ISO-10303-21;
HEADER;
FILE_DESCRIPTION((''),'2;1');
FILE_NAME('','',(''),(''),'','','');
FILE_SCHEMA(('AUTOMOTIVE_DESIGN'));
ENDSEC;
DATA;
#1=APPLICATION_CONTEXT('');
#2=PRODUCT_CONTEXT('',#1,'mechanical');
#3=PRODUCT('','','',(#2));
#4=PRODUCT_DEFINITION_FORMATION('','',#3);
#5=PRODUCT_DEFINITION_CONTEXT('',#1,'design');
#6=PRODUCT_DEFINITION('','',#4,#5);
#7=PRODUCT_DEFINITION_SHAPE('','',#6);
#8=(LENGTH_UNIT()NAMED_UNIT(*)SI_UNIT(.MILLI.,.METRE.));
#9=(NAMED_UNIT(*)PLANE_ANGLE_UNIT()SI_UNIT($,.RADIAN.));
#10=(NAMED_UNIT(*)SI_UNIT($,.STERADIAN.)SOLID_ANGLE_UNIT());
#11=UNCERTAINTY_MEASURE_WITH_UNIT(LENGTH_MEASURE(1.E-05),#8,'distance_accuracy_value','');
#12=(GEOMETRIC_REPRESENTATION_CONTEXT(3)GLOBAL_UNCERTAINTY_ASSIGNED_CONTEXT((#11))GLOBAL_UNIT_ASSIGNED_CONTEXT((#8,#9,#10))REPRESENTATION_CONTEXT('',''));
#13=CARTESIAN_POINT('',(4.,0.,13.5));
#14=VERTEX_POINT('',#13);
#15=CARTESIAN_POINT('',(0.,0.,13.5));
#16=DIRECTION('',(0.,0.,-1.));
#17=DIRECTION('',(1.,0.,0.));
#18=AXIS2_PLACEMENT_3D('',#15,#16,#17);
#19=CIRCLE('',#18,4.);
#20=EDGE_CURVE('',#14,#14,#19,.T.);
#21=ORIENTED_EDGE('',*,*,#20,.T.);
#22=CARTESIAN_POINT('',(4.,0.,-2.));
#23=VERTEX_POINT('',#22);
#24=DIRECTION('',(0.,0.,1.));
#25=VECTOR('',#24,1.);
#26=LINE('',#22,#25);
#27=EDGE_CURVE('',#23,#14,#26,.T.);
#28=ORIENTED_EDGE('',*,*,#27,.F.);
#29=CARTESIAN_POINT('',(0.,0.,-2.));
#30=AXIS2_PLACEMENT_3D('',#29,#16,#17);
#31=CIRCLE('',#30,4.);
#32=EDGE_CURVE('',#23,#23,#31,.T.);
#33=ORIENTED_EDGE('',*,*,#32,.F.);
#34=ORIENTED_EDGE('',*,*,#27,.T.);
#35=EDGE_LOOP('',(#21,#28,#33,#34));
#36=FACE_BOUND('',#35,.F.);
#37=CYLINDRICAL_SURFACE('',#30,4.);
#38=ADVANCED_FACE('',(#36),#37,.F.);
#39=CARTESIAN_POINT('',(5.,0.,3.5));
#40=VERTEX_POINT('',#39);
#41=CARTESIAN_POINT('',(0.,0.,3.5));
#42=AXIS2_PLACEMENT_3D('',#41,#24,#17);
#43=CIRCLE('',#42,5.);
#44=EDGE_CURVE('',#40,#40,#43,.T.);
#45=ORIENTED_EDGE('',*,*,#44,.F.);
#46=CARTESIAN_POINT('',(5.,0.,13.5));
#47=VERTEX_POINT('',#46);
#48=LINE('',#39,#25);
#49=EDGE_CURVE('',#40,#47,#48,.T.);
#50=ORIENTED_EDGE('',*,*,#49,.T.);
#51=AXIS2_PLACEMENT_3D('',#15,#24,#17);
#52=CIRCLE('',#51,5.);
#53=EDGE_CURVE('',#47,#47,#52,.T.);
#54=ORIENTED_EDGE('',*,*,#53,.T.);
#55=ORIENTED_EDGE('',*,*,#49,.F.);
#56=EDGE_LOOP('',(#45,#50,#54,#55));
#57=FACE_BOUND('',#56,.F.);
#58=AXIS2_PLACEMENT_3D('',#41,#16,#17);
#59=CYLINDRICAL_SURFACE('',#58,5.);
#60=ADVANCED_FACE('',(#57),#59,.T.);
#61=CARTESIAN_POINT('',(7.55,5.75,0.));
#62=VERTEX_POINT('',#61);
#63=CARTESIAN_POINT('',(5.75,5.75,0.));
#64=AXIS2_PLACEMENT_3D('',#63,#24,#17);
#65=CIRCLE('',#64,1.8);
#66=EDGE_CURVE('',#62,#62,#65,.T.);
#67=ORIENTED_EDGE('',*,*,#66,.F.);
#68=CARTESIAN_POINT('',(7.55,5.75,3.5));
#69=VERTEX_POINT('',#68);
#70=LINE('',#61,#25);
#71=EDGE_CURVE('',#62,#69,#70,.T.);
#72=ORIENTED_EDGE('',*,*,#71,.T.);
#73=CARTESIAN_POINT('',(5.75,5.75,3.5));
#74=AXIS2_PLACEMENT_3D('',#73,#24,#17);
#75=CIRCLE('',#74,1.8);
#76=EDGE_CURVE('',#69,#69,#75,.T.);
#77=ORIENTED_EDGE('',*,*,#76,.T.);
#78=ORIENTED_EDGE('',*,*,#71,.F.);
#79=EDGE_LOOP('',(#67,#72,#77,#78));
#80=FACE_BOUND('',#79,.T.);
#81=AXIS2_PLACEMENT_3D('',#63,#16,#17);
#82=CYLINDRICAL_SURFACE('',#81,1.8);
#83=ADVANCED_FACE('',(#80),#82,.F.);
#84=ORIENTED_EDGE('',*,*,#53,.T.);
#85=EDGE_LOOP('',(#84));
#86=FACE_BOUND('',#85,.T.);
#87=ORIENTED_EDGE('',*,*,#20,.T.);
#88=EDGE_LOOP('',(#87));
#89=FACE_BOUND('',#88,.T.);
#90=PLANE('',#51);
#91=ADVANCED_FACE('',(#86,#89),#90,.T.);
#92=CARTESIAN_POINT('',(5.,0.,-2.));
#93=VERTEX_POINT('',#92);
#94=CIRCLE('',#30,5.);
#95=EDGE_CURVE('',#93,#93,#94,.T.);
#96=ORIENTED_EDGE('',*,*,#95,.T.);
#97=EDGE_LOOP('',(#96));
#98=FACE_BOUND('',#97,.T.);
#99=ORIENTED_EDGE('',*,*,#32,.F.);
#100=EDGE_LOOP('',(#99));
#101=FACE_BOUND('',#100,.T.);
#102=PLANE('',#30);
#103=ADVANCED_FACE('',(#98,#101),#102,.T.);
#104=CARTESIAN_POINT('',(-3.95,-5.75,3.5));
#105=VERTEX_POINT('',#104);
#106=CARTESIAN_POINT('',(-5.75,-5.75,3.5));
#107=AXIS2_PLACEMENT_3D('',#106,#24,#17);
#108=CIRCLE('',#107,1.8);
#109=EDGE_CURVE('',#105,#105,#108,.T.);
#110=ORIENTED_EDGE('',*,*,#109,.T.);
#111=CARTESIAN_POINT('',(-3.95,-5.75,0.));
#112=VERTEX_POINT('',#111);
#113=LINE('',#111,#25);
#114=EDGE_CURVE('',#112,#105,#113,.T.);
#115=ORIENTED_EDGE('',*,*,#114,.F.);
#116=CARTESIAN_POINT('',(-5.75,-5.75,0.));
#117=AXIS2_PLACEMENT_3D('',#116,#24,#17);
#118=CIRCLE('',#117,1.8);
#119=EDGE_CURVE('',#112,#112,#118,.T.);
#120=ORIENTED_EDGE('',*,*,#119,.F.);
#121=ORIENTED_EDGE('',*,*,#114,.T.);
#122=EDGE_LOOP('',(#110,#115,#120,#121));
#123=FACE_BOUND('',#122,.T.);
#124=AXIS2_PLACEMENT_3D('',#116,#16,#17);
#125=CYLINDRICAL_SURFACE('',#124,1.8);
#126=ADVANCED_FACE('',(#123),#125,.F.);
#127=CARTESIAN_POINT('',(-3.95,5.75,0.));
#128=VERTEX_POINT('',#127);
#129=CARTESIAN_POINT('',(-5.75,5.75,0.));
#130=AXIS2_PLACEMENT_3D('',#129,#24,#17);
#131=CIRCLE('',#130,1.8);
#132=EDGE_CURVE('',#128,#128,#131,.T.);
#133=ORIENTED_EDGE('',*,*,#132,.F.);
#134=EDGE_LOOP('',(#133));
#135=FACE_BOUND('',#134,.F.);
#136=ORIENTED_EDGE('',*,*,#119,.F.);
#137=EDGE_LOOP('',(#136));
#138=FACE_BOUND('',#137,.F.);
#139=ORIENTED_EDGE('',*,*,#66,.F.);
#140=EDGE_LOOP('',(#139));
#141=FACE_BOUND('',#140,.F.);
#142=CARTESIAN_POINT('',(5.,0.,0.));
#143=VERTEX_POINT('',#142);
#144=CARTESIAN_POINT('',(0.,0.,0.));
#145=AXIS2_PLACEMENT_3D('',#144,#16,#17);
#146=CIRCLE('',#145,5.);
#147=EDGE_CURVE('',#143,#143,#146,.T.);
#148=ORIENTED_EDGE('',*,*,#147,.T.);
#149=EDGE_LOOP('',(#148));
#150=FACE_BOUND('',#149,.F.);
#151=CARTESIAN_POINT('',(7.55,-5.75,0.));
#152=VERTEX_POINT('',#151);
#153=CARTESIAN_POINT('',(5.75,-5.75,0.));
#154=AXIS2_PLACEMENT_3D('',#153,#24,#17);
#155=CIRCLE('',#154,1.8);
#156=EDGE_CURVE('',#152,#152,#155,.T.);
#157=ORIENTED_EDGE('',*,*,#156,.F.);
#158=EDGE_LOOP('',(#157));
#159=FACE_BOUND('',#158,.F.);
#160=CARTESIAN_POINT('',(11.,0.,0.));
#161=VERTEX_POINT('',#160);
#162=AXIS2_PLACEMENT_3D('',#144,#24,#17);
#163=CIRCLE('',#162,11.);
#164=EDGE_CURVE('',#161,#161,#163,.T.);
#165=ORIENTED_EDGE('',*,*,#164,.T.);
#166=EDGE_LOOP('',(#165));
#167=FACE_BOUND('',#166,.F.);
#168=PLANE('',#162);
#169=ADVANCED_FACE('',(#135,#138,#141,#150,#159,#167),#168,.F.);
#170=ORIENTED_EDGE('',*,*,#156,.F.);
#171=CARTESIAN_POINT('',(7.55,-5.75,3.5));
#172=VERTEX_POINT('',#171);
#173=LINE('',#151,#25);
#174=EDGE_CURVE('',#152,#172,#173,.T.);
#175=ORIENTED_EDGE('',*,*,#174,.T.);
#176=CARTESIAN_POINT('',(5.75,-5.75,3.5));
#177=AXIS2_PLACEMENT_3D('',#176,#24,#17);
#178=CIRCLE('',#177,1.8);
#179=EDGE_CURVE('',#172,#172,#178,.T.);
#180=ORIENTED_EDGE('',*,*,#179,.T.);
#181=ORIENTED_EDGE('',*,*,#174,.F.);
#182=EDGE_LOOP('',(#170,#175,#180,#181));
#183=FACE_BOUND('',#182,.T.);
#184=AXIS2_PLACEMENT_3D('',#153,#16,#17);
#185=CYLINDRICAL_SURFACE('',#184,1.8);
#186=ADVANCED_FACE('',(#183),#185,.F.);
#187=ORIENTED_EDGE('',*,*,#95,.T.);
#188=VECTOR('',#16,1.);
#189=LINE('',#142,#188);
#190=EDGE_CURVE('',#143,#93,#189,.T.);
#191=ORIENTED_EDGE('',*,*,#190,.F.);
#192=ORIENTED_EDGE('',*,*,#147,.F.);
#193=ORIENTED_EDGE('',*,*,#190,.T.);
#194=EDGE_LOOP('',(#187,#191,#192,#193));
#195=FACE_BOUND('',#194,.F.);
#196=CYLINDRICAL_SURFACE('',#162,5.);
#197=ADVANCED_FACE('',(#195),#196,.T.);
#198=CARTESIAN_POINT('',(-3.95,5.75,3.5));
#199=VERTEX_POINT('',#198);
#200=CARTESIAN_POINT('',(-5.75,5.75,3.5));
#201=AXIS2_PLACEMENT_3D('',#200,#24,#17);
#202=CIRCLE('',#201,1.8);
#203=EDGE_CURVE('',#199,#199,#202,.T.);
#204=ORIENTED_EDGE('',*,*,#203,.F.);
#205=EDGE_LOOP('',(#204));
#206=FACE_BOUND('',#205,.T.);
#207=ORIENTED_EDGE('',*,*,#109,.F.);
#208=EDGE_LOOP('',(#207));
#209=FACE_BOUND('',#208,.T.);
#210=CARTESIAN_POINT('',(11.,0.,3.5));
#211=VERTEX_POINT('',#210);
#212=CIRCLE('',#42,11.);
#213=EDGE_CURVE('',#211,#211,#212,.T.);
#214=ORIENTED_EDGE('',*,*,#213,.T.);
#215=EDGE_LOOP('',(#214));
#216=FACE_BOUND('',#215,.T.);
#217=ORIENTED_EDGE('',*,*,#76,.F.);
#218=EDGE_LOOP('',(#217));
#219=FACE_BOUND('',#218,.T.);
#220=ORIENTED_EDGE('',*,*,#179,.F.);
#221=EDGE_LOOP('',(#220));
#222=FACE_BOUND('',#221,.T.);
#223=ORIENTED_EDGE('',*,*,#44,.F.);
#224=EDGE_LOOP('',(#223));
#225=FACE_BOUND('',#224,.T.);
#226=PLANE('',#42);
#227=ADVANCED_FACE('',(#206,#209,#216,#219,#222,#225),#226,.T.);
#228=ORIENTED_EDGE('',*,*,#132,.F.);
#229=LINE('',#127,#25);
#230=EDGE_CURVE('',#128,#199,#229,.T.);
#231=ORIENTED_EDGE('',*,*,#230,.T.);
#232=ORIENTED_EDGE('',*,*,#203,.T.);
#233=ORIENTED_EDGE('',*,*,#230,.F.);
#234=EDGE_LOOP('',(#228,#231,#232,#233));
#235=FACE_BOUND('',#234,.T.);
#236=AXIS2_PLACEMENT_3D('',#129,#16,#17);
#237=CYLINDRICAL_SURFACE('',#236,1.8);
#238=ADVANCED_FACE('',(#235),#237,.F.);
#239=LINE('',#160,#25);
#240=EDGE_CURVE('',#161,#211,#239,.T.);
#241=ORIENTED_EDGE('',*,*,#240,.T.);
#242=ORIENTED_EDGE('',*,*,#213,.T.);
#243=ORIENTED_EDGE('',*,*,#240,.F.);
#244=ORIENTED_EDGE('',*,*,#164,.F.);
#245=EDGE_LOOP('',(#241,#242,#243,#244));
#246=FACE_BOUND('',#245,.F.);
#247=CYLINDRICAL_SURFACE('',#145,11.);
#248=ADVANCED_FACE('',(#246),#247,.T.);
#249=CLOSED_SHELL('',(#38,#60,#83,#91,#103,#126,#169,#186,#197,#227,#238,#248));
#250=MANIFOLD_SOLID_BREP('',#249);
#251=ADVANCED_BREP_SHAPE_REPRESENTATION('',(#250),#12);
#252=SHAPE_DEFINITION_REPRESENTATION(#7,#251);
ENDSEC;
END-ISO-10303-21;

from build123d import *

# Parameters (mm, degrees)
SKETCH_R     = 11
SKETCH_R_2   = 1.8
PAD_DEPTH    = 3.5
SKETCH001_R  = 5
PAD001_DEPTH = 10
SKETCH002_R  = 5
PAD002_DEPTH = 2
SKETCH003_R  = 4
POCKET_DEPTH = 15.5


with BuildPart() as part:
    # Sketch → Pad (new body)
    with BuildSketch(Plane.XY):
        Circle(SKETCH_R)
        with Locations((-5.75, 5.75)):
            Circle(SKETCH_R_2, mode=Mode.SUBTRACT)
        with Locations((5.75, 5.75)):
            Circle(SKETCH_R_2, mode=Mode.SUBTRACT)
        with Locations((5.75, -5.75)):
            Circle(SKETCH_R_2, mode=Mode.SUBTRACT)
        with Locations((-5.75, -5.75)):
            Circle(SKETCH_R_2, mode=Mode.SUBTRACT)
    extrude(amount=PAD_DEPTH)

    # Sketch001 → Pad001 (new body)
    with BuildSketch(Plane.XY.offset(3.5)):
        Circle(SKETCH001_R)
    extrude(amount=PAD001_DEPTH)

    # Sketch002 → Pad002 (new body)
    with BuildSketch(Plane(origin=(0, 0, 0), x_dir=(1, 0, 0), z_dir=(0, 0, -1))):
        Circle(SKETCH002_R)
    extrude(amount=PAD002_DEPTH)

    # Sketch003 → Pocket (cut)
    with BuildSketch(Plane(origin=(0, 0, -2), x_dir=(1, 0, 0), z_dir=(0, 0, -1))):
        Circle(SKETCH003_R)
    extrude(amount=-POCKET_DEPTH, mode=Mode.SUBTRACT)


solid = part.part
